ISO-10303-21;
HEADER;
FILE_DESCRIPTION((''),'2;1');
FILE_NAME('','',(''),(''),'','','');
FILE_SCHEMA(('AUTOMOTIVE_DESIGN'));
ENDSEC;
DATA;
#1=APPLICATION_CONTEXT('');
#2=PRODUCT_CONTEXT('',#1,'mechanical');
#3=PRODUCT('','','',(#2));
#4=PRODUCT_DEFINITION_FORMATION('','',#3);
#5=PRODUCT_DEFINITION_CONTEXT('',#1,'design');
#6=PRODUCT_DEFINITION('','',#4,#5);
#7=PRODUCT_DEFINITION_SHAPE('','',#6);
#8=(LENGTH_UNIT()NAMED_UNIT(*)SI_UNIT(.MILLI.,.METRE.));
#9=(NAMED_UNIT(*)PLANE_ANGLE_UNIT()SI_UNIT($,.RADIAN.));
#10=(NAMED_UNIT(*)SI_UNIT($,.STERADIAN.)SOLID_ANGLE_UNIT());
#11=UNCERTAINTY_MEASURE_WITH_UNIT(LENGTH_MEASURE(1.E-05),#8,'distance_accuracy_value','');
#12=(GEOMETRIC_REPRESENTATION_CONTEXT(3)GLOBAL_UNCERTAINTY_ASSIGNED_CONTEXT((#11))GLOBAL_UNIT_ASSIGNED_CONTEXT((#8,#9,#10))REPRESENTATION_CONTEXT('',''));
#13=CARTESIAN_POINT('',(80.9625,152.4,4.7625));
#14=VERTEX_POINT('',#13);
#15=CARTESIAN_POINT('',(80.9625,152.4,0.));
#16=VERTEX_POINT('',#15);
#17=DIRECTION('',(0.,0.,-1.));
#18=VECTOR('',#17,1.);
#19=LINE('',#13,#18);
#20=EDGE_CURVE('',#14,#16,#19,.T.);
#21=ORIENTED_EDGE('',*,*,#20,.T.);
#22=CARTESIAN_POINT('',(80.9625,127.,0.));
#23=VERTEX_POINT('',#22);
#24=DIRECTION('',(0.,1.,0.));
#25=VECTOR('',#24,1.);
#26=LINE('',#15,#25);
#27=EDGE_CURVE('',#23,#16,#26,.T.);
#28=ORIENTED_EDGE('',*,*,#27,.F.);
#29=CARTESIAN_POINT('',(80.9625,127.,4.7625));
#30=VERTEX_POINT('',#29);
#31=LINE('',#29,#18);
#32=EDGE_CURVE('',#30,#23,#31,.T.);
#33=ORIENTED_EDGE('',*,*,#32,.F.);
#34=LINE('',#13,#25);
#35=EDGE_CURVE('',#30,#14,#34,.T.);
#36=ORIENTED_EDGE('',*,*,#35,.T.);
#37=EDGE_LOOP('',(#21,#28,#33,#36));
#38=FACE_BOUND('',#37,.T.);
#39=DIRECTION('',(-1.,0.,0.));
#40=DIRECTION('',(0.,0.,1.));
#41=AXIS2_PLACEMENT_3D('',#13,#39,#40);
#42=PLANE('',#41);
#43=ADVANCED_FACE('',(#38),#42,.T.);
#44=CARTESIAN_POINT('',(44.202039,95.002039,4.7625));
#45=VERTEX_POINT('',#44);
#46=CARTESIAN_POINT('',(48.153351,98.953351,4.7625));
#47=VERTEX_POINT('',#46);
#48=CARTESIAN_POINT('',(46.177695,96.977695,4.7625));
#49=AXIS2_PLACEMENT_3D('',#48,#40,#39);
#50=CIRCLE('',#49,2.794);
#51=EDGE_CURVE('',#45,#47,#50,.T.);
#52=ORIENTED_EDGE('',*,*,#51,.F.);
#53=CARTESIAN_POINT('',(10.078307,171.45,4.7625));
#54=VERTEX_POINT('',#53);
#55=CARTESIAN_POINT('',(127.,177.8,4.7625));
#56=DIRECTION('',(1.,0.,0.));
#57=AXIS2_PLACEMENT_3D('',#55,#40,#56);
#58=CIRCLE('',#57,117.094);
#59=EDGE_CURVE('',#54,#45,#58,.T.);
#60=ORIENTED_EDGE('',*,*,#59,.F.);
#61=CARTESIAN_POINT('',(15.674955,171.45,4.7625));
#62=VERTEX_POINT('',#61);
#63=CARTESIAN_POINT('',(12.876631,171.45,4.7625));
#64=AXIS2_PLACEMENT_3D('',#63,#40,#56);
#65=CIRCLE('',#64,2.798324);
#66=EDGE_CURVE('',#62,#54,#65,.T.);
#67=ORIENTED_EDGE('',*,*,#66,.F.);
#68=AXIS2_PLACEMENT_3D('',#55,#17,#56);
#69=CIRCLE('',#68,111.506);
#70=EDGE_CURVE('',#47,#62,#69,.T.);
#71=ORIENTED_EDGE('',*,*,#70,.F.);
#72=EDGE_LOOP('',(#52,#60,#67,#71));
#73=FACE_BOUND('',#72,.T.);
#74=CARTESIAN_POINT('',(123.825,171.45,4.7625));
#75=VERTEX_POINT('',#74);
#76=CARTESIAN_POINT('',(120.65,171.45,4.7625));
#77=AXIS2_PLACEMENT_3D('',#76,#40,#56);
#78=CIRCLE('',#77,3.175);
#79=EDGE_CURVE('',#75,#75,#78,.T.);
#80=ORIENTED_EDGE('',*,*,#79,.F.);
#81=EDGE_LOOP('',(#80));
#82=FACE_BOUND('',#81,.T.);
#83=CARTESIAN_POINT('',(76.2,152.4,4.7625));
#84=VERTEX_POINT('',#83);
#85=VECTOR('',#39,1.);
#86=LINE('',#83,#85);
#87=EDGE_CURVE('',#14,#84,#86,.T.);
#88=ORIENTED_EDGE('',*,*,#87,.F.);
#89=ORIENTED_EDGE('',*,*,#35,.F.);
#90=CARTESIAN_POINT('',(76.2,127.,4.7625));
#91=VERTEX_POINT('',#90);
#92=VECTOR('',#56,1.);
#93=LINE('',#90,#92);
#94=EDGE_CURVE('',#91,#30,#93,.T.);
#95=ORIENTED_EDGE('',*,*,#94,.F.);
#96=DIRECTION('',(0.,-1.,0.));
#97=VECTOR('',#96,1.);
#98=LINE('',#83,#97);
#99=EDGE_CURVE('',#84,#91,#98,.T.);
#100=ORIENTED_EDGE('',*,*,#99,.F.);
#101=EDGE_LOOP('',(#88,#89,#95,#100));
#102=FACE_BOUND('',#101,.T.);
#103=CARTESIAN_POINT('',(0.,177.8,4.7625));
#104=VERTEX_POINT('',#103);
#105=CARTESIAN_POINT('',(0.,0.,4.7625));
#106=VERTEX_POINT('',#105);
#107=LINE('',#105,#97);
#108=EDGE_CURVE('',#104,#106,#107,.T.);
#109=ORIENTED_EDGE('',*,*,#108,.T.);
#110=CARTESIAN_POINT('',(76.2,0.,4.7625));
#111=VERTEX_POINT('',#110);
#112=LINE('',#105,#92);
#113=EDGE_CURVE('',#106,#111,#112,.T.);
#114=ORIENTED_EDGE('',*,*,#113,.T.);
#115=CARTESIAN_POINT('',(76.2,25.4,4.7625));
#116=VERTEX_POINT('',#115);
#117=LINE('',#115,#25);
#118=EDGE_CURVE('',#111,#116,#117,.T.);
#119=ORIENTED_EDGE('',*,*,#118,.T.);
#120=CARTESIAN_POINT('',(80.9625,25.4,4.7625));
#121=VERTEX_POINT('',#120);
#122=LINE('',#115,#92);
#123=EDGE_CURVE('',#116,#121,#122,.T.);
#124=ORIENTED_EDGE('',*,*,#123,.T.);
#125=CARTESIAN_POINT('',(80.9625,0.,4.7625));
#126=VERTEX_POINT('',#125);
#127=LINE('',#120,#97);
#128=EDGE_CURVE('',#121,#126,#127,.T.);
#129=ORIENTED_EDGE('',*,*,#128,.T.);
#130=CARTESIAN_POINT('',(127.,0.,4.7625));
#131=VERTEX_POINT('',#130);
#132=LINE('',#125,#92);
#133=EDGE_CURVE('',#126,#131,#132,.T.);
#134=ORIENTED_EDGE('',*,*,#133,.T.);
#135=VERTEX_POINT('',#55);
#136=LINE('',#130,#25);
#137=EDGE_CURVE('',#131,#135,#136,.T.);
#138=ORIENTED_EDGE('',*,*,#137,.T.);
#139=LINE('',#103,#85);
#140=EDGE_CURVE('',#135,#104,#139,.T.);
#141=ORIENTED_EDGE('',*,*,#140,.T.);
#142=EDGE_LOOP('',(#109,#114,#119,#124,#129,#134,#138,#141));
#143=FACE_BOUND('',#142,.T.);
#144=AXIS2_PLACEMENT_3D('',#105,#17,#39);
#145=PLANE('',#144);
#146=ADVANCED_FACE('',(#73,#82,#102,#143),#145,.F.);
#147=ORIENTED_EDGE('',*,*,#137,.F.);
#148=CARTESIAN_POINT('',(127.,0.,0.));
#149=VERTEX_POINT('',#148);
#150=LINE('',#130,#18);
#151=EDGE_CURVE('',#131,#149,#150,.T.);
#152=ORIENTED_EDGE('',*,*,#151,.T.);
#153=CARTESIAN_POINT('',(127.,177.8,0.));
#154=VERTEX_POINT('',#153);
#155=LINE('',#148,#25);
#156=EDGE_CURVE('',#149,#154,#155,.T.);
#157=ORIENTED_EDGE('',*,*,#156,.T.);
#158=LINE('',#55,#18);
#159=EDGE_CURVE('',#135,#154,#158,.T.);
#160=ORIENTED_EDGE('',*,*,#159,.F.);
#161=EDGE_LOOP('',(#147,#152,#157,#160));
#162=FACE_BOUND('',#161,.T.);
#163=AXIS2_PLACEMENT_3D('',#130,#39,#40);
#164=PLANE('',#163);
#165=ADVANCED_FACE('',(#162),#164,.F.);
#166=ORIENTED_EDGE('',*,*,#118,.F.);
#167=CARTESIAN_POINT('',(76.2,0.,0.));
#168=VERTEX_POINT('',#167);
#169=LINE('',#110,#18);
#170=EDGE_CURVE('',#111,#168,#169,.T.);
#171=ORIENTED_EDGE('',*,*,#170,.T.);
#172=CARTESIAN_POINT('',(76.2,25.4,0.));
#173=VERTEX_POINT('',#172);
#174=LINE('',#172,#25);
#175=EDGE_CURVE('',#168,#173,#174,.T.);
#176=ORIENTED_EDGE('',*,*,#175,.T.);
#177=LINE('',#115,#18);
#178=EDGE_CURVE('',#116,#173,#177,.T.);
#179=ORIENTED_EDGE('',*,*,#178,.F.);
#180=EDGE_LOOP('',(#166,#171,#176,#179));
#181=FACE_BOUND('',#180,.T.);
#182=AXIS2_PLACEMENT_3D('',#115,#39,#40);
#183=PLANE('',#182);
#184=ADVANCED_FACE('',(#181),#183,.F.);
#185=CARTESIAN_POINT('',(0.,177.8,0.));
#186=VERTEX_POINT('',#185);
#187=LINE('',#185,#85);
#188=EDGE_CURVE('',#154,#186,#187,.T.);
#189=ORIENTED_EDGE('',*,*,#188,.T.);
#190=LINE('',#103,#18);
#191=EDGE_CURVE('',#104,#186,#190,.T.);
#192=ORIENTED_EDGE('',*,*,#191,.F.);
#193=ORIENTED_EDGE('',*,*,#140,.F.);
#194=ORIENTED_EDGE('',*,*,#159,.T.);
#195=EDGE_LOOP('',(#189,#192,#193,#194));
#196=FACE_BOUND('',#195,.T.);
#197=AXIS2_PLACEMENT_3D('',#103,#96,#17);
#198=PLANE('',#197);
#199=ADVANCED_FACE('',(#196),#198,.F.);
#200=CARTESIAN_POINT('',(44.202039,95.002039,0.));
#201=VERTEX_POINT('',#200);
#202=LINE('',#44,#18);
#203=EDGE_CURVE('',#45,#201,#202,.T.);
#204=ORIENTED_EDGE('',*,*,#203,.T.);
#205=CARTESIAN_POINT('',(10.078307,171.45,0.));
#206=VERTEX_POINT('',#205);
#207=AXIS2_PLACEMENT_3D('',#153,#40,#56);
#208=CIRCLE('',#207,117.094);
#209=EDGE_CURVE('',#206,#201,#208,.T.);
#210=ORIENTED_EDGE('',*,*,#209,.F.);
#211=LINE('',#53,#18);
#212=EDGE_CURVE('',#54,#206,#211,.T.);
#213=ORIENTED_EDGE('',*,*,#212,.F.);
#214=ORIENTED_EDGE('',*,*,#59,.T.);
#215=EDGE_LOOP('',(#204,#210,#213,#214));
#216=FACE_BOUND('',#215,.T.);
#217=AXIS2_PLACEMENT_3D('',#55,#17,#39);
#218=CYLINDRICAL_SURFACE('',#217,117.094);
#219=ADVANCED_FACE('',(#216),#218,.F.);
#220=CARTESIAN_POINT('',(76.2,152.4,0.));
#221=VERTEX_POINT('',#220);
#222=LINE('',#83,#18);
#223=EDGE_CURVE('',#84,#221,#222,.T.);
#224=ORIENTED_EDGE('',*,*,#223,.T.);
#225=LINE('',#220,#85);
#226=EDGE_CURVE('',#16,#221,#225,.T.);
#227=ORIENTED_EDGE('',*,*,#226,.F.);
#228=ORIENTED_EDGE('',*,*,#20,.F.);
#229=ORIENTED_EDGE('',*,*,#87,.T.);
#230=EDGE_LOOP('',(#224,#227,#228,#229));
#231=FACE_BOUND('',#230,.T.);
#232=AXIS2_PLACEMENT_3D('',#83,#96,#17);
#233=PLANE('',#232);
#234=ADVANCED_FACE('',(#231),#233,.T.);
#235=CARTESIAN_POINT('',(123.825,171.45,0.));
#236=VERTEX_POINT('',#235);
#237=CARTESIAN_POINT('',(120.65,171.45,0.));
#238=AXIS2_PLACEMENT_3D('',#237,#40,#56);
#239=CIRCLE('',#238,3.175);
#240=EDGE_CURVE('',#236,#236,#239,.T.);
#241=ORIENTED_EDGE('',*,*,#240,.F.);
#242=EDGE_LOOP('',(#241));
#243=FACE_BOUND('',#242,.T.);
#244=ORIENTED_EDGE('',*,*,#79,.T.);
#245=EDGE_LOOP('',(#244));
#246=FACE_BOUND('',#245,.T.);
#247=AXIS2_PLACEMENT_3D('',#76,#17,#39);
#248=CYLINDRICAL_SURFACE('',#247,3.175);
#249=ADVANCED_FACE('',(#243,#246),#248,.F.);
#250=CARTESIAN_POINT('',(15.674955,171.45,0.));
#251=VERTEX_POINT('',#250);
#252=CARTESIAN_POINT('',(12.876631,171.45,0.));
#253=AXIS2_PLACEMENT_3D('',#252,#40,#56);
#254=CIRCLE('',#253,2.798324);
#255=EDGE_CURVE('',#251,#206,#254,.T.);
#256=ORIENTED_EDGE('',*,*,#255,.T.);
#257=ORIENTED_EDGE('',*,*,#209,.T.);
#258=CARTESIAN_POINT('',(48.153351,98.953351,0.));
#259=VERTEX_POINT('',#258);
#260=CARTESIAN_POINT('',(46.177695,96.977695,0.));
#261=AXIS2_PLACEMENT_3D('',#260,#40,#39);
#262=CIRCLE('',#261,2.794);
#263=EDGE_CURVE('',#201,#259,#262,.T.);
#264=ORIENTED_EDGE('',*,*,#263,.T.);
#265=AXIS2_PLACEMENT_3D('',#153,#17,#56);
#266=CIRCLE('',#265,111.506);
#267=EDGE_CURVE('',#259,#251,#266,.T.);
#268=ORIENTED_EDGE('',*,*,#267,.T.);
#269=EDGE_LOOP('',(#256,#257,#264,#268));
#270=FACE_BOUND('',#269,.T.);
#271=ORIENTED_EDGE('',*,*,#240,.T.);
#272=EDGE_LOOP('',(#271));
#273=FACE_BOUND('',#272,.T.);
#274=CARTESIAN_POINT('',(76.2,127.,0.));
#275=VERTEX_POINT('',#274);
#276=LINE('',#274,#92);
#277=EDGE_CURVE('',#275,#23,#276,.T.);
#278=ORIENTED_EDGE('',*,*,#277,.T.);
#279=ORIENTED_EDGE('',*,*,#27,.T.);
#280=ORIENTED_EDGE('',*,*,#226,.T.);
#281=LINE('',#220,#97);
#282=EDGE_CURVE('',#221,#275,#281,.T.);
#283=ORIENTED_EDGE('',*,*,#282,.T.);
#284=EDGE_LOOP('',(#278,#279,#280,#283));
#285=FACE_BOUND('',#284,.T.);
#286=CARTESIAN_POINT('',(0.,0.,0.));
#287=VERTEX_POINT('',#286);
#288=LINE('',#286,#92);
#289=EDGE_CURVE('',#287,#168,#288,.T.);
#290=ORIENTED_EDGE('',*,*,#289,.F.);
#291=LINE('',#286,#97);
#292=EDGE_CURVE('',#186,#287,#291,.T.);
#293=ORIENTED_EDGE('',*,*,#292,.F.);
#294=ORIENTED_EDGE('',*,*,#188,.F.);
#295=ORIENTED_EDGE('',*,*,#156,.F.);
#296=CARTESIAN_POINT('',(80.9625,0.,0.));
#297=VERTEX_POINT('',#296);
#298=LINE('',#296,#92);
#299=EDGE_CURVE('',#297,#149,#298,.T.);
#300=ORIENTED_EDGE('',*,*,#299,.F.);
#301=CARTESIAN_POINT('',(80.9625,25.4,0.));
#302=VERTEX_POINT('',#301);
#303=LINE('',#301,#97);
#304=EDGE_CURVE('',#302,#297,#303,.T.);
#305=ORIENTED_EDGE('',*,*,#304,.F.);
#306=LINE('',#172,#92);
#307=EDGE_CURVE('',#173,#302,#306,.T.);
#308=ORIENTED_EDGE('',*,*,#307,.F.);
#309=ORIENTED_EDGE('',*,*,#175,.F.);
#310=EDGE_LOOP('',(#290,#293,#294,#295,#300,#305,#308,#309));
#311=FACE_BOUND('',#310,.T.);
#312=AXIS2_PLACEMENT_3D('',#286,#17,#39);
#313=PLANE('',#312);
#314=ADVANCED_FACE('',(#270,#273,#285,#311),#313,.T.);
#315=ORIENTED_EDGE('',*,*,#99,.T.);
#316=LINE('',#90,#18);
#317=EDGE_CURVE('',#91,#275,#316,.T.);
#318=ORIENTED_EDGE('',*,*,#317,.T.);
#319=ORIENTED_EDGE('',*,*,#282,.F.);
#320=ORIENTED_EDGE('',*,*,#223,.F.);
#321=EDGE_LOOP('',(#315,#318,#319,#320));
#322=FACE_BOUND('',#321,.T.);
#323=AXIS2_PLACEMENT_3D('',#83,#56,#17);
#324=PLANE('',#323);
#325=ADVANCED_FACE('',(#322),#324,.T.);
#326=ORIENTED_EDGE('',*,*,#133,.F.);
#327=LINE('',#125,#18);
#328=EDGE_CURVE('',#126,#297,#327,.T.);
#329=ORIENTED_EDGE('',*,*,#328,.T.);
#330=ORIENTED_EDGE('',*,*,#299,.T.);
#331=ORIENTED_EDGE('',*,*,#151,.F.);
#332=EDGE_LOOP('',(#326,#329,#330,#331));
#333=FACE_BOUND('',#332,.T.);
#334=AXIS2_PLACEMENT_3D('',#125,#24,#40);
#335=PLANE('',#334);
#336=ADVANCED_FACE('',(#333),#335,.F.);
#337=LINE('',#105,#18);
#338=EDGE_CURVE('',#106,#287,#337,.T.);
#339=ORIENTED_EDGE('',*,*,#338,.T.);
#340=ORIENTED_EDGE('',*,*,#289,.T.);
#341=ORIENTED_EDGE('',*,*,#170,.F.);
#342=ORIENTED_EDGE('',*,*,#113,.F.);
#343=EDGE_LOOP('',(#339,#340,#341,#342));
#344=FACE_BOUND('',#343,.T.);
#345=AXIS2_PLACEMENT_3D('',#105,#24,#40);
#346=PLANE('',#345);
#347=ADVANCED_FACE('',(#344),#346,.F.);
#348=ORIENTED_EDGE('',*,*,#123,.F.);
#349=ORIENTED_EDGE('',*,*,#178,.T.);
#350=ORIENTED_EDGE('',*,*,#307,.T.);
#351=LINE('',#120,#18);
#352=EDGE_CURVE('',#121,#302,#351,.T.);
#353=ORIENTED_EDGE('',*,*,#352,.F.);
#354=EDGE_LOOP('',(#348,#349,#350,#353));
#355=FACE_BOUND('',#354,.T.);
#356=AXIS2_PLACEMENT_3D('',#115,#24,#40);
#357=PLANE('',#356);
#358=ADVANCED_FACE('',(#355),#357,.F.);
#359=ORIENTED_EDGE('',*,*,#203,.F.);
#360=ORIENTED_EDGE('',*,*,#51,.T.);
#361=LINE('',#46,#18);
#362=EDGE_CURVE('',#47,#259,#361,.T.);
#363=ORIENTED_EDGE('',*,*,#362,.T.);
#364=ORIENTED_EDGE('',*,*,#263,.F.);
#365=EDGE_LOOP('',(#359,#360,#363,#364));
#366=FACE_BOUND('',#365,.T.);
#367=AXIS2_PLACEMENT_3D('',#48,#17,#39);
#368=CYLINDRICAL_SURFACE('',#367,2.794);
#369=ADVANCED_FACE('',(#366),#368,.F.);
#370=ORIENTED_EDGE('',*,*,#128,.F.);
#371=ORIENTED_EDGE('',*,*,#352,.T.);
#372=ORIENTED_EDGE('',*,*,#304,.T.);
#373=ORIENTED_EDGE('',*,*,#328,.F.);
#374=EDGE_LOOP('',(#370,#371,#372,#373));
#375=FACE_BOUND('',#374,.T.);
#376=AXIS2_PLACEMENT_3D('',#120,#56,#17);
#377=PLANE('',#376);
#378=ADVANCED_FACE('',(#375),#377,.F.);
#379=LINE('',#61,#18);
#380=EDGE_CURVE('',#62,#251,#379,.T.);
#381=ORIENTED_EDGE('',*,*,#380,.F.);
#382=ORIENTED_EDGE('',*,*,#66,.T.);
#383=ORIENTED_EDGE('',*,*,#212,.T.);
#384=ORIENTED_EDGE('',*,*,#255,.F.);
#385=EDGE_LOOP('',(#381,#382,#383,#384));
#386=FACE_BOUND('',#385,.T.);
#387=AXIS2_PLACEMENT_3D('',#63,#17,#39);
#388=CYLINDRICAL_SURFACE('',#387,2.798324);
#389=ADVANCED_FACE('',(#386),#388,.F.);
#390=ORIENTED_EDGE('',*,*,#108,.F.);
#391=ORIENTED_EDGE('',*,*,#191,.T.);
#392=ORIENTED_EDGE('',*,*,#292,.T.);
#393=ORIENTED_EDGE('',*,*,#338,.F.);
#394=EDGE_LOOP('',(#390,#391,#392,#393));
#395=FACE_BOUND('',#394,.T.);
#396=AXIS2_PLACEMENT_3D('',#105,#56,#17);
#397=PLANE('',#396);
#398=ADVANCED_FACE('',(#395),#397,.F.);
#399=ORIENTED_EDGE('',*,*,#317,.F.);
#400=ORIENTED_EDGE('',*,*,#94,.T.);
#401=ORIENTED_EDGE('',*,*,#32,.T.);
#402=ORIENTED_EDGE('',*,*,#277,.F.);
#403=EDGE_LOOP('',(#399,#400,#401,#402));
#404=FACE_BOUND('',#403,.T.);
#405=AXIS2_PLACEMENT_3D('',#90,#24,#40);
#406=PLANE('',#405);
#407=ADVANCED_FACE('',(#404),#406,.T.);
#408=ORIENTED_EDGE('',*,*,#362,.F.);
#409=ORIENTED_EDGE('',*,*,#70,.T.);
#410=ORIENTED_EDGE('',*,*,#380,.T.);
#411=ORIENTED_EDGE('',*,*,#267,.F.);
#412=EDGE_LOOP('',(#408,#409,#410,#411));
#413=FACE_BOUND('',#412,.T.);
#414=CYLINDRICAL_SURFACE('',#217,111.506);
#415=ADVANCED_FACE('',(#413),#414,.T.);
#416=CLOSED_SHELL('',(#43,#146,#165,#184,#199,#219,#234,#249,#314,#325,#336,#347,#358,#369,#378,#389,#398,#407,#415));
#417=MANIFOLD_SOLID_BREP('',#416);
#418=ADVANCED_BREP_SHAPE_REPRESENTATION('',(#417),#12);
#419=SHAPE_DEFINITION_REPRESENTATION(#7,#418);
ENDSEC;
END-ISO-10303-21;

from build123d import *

# Parameters (mm, degrees)
SKETCH1_R           = 3.175
SKETCH1_W           = 4.7625
SKETCH1_H           = 25.4
BOSS_EXTRUDE1_DEPTH = 4.7625


with BuildPart() as part:
    # Sketch1 → Boss-Extrude1 (new body)
    with BuildSketch(Plane.XY):
        Polygon((80.9625, 0), (127, 0), (127, 177.8), (0, 177.8), (0, 0), (76.2, 0), (76.2, 25.4), (80.9625, 25.4), align=None)
        with Locations((120.65, 171.45)):
            Circle(SKETCH1_R, mode=Mode.SUBTRACT)
        with Locations((78.58125, 139.7)):
            Rectangle(SKETCH1_W, SKETCH1_H, mode=Mode.SUBTRACT)
        with BuildLine():
            ThreePointArc((10.07830682, 171.45), (20.074522157, 130.072156721), (44.202038564, 95.002038564))
            ThreePointArc((44.202038564, 95.002038564), (48.153351257, 95.002038564), (48.153351257, 98.953351257))
            ThreePointArc((48.153351257, 98.953351257), (25.239205738, 132.21130856), (15.674955486, 171.45))
            ThreePointArc((15.674955486, 171.45), (12.876631153, 174.248324333), (10.07830682, 171.45))
        make_face(mode=Mode.SUBTRACT)
    extrude(amount=BOSS_EXTRUDE1_DEPTH)


solid = part.part
